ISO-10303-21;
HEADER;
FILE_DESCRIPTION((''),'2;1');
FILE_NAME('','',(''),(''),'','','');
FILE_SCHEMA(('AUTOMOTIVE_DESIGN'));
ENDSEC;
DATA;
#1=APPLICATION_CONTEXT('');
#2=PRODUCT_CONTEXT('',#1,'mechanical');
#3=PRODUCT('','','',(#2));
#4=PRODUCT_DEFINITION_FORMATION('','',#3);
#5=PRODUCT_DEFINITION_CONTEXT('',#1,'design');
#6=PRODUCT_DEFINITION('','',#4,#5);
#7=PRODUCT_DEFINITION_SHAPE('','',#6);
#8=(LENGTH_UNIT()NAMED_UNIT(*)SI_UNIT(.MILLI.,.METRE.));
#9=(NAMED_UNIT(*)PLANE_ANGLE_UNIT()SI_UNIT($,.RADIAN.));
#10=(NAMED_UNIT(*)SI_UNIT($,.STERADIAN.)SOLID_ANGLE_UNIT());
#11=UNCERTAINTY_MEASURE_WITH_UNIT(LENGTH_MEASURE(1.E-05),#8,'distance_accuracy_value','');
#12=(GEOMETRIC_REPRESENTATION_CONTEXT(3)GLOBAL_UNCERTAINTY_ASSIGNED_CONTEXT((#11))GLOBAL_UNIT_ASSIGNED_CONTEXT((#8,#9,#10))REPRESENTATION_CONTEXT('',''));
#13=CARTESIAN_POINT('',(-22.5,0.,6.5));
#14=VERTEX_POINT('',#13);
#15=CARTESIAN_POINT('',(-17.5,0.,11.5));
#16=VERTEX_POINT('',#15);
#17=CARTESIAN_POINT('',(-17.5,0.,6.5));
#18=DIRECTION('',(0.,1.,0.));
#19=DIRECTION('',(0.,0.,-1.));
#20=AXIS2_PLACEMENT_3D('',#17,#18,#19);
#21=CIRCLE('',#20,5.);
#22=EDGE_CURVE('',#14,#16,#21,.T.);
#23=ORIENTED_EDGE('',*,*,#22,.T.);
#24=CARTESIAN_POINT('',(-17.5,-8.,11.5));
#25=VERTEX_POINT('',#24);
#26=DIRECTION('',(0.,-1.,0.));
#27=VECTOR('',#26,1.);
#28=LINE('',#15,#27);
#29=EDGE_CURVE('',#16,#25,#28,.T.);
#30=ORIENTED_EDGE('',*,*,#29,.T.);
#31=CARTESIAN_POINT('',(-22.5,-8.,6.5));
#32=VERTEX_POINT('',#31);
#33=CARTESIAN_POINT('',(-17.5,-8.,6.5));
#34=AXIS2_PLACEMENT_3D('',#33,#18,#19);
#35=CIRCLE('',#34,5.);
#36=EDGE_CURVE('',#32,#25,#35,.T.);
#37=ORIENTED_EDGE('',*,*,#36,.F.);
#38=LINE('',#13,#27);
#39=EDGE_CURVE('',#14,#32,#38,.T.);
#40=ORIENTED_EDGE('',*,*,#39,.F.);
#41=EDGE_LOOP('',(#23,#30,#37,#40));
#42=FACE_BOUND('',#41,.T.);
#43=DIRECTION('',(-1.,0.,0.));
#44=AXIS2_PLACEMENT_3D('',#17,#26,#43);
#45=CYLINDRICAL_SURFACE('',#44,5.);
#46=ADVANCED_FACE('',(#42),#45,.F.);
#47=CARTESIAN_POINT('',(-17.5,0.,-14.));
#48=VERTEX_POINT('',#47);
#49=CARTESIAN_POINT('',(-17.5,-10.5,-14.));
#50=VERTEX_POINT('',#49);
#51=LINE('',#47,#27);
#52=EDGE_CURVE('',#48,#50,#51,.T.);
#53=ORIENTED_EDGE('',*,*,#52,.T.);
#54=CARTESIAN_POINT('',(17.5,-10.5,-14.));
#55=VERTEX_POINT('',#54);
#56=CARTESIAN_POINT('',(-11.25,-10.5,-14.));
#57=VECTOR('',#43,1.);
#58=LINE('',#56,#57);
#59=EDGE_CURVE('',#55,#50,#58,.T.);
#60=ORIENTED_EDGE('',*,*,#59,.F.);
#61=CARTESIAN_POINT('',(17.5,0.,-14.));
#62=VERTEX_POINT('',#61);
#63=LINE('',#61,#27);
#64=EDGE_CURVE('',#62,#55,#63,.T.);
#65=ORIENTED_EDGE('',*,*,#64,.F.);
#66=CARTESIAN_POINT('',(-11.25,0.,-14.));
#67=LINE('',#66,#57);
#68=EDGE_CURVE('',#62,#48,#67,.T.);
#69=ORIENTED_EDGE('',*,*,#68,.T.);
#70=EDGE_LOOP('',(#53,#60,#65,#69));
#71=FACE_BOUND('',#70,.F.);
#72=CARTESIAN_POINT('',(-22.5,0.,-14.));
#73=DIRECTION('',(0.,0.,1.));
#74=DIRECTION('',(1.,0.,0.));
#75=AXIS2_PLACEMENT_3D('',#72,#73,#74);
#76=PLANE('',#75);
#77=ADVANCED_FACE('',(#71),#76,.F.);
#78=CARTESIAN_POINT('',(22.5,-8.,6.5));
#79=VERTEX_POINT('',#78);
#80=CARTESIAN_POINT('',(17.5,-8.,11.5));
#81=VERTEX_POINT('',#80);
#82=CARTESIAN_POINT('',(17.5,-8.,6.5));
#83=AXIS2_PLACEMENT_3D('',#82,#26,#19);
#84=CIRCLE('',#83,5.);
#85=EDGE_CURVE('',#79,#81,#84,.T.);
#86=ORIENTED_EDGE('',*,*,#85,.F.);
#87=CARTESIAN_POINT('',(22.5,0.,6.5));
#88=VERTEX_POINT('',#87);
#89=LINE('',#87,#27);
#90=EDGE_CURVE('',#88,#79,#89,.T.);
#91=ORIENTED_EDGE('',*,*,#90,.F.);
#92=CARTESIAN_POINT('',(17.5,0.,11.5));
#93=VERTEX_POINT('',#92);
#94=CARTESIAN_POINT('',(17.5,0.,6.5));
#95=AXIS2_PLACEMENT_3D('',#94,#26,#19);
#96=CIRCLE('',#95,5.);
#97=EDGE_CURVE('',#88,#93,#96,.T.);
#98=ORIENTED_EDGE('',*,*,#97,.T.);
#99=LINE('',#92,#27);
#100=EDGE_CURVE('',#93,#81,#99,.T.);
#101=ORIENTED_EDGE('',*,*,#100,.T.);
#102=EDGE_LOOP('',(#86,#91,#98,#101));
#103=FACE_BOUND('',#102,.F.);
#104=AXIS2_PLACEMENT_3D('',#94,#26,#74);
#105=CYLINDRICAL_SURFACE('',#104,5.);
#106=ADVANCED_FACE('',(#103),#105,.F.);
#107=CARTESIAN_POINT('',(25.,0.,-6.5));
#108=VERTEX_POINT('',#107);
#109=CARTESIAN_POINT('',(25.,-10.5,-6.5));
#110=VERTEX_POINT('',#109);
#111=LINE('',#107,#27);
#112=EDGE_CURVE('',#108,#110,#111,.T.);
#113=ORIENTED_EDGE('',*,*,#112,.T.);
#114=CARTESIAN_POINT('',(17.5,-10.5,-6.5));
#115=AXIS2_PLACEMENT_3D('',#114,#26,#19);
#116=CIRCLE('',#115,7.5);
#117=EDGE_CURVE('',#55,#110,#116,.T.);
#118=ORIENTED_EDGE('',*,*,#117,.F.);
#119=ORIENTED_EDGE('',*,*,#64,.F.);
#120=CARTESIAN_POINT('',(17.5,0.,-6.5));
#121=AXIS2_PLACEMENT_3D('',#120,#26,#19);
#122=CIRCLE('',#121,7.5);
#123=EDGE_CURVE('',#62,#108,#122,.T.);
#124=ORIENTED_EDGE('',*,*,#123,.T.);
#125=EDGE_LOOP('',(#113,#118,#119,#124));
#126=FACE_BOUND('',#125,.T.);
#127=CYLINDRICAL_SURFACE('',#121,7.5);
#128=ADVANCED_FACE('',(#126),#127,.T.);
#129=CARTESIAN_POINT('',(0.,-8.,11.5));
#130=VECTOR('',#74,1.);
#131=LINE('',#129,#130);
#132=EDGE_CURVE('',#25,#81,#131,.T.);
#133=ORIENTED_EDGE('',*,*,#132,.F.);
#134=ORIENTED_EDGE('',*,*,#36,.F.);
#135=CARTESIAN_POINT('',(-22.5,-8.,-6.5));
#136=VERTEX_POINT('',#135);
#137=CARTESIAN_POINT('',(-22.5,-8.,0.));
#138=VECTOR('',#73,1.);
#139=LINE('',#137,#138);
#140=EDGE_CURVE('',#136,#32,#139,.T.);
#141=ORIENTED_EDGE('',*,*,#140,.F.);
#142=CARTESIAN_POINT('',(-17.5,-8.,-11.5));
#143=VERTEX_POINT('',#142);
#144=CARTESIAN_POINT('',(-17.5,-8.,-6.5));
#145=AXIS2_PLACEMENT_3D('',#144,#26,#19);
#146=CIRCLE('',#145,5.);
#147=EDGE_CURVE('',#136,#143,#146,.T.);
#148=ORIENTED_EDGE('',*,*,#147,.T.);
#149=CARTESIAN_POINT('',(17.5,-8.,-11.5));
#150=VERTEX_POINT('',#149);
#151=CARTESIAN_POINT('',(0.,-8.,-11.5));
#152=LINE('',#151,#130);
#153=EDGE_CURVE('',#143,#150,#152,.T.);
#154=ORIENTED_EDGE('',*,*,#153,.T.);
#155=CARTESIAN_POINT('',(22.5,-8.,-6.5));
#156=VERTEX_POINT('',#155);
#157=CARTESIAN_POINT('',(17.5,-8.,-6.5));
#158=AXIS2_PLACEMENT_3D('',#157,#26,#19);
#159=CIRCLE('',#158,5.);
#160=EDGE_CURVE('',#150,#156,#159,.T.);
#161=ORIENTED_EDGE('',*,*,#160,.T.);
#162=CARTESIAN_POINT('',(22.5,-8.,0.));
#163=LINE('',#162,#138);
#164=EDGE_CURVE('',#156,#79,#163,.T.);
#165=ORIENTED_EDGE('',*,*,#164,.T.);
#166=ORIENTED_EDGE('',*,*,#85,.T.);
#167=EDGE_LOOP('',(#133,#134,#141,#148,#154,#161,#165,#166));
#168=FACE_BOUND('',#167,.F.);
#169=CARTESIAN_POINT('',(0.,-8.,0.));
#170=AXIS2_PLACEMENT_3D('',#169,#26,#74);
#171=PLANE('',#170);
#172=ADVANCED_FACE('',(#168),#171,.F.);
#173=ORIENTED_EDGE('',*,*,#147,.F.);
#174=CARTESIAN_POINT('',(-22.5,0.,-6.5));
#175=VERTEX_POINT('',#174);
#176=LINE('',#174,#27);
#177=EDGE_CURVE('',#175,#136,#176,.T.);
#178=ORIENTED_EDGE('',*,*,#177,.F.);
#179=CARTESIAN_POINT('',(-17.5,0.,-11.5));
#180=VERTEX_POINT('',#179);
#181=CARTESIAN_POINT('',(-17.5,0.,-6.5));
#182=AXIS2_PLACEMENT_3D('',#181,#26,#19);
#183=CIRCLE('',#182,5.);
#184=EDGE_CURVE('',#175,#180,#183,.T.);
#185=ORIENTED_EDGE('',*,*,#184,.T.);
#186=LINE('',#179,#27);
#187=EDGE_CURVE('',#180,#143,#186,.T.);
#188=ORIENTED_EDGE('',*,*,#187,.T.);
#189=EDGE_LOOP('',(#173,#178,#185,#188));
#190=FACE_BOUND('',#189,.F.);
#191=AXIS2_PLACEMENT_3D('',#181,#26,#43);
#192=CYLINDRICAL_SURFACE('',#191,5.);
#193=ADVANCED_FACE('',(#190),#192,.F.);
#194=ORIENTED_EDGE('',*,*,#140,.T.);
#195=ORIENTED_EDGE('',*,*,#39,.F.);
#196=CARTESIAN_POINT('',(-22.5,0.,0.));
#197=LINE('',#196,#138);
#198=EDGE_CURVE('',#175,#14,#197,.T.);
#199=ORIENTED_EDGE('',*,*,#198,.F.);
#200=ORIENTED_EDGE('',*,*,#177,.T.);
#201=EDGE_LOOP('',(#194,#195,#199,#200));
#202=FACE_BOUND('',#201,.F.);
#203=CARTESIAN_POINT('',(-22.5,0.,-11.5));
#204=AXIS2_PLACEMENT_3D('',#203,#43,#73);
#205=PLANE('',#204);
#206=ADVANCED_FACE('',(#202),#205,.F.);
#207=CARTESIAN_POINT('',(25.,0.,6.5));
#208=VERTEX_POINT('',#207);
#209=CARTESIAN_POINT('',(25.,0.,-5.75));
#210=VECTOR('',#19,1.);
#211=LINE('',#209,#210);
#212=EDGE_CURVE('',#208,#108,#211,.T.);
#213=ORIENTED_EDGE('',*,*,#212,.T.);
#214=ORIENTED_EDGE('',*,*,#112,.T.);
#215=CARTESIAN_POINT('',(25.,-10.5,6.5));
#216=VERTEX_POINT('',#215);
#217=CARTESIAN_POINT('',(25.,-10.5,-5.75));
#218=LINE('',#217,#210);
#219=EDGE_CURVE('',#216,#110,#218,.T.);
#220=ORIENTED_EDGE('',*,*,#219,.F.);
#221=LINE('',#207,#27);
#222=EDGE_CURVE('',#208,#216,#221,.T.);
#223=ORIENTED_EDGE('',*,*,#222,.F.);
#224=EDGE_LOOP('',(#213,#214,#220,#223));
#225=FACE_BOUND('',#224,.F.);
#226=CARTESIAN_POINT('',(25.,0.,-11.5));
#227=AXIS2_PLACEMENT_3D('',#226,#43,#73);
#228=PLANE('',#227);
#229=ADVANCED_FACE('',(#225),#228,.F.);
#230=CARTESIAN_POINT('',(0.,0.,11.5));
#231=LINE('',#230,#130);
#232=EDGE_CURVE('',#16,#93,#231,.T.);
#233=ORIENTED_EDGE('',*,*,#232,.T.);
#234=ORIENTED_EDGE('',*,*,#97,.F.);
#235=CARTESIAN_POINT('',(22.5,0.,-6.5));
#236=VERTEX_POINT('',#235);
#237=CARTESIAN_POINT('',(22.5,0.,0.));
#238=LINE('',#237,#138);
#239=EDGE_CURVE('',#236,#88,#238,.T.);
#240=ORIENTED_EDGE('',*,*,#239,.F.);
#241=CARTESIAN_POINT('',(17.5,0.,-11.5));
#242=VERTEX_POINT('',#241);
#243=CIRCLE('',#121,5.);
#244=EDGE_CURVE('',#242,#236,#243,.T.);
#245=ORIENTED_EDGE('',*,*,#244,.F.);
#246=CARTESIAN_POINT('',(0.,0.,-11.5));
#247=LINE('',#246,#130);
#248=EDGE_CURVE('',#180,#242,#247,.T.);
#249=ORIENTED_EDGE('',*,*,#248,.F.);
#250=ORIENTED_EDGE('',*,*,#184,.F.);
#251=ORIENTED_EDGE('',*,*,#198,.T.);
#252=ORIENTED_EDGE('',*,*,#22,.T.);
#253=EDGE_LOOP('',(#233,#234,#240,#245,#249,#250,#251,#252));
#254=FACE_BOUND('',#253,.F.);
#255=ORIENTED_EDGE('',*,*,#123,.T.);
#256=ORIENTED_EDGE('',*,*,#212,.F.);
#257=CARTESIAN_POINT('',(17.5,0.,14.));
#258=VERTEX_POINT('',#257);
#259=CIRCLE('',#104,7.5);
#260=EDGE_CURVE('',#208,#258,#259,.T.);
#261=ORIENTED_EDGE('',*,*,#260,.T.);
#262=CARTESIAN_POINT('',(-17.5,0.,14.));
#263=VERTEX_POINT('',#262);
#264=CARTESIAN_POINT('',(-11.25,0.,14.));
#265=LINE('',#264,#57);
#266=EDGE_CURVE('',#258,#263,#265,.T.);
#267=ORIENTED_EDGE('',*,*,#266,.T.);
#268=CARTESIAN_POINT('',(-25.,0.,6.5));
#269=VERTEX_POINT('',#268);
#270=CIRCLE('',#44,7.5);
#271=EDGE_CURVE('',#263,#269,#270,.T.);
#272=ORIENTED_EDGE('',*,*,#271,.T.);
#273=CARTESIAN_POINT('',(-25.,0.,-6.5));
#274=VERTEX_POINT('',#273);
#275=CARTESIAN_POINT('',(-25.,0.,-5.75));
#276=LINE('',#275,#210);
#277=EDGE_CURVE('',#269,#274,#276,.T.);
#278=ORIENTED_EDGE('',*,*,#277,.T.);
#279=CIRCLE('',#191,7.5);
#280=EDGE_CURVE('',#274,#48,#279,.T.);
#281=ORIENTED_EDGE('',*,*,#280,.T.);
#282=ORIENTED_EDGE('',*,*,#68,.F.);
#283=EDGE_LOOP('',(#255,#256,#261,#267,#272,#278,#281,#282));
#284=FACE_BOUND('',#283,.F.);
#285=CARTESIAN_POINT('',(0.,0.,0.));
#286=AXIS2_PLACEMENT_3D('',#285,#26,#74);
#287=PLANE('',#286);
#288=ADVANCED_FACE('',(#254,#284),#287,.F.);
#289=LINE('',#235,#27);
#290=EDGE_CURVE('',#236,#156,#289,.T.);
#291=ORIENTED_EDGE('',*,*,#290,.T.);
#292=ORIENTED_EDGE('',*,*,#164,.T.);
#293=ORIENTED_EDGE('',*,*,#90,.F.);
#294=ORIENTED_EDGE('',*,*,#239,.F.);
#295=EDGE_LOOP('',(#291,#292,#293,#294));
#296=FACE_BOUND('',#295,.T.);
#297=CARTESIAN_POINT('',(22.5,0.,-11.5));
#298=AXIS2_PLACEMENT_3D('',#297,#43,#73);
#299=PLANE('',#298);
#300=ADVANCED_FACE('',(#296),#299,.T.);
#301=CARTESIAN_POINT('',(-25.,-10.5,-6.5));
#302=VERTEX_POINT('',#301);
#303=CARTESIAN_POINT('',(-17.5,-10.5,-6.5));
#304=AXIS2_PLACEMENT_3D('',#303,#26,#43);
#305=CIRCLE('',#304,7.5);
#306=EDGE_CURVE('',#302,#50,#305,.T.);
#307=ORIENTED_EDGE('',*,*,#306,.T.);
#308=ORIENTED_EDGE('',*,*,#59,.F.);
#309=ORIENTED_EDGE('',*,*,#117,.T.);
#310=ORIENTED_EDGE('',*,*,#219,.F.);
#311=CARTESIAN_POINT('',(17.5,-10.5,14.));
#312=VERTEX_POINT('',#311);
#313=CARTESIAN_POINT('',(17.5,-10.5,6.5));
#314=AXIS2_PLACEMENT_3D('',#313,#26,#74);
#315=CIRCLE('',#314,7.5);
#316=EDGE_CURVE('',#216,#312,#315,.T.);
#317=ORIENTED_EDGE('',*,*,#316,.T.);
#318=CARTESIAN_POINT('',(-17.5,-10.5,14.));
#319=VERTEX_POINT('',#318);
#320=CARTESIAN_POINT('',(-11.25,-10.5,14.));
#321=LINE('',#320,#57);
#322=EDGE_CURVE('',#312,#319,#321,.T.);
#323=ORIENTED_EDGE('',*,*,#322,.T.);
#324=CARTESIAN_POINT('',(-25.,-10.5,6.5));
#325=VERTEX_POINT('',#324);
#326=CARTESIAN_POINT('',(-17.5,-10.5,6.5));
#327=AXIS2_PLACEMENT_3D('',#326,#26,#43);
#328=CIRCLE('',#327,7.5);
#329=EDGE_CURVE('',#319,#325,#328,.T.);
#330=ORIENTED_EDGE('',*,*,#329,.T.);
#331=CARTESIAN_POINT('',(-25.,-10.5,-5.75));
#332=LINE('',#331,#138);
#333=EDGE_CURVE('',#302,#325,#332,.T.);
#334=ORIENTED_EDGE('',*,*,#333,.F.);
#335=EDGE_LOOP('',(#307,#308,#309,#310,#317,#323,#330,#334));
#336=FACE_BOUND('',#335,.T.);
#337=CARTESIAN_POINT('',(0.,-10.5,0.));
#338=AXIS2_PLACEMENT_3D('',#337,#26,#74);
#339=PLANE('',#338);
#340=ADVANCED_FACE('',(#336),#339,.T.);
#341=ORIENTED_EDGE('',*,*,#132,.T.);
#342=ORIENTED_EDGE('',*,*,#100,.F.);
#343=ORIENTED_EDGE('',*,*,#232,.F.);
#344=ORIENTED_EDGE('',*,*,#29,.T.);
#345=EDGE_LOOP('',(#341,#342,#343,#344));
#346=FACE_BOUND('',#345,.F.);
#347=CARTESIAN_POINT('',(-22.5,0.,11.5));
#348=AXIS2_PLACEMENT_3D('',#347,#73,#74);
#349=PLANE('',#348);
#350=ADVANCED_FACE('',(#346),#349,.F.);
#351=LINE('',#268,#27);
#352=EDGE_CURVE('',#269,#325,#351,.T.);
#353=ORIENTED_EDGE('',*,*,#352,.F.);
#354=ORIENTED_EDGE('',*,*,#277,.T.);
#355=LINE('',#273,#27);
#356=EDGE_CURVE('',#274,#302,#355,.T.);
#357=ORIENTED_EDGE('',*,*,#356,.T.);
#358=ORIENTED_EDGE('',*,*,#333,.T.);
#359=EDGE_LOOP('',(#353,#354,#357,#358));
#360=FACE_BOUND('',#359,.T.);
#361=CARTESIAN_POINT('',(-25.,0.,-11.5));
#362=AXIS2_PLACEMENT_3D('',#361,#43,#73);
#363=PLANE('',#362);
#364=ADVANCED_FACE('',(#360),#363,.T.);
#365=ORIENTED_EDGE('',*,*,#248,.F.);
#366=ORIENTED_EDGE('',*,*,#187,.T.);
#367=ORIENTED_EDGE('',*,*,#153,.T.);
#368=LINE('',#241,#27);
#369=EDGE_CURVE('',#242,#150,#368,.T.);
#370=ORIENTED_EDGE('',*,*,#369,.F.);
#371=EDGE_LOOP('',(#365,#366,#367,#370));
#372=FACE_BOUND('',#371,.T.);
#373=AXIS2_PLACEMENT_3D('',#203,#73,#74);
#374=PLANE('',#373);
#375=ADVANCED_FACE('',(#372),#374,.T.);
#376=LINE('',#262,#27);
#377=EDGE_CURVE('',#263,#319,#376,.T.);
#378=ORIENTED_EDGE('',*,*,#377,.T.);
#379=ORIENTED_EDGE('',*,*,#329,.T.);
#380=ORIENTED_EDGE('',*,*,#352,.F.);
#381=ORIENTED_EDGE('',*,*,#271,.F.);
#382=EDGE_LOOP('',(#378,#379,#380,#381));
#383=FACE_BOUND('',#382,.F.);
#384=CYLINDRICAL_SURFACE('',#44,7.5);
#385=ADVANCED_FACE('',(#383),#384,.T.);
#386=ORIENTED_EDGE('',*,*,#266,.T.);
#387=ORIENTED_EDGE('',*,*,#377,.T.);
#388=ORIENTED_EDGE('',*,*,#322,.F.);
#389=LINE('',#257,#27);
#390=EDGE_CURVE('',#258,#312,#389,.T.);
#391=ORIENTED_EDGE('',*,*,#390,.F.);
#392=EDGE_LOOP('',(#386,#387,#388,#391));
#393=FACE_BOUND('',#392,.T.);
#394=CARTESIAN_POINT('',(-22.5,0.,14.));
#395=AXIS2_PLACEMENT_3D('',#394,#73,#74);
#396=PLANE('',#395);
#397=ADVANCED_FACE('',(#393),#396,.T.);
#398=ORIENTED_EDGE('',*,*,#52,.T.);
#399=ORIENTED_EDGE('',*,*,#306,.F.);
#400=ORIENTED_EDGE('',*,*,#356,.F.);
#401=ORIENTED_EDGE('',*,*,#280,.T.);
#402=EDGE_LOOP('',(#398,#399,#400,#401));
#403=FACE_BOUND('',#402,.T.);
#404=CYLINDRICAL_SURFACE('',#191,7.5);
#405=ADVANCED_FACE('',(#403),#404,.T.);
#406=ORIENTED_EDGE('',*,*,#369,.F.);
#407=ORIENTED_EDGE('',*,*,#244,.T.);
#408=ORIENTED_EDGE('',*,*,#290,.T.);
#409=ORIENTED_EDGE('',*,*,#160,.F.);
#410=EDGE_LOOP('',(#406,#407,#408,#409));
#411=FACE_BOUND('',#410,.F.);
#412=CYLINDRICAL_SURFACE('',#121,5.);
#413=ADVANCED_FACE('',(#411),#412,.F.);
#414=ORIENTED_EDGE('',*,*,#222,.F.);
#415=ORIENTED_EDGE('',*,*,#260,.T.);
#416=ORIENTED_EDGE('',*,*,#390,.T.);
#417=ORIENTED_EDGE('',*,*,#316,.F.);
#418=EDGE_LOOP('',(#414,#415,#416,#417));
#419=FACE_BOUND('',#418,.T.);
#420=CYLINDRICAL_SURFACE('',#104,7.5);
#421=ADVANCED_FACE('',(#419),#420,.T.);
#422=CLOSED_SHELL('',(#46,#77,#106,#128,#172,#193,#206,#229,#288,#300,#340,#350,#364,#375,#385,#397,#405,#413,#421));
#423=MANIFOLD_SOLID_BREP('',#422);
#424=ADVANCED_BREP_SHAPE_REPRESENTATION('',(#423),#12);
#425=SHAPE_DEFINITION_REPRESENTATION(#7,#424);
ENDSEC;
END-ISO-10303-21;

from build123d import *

# Parameters (mm, degrees)
F0_W     = 45
F0_H     = 23
F1_DEPTH = 8
F2_R     = 5
F3_T     = 2.5


with BuildPart() as f1:
    # F0 (on Front) → F1 (new body)
    with BuildSketch(Plane.XZ):
        Rectangle(F0_W, F0_H)
    extrude(amount=F1_DEPTH)

    # F2
    f2_edges = [f1.edges().sort_by_distance(p)[0] for p in [
        (22.5, -4, 11.5),
        (-22.5, -4, 11.5),
        (22.5, -4, -11.5),
        (-22.5, -4, -11.5),
    ]]
    fillet(f2_edges, radius=F2_R)

    # F3
    f3_openings = [f1.faces().sort_by_distance(p)[0] for p in [
        (0, 0, 0),
    ]]
    offset(amount=F3_T, openings=f3_openings, kind=Kind.INTERSECTION)


solid = f1.part
